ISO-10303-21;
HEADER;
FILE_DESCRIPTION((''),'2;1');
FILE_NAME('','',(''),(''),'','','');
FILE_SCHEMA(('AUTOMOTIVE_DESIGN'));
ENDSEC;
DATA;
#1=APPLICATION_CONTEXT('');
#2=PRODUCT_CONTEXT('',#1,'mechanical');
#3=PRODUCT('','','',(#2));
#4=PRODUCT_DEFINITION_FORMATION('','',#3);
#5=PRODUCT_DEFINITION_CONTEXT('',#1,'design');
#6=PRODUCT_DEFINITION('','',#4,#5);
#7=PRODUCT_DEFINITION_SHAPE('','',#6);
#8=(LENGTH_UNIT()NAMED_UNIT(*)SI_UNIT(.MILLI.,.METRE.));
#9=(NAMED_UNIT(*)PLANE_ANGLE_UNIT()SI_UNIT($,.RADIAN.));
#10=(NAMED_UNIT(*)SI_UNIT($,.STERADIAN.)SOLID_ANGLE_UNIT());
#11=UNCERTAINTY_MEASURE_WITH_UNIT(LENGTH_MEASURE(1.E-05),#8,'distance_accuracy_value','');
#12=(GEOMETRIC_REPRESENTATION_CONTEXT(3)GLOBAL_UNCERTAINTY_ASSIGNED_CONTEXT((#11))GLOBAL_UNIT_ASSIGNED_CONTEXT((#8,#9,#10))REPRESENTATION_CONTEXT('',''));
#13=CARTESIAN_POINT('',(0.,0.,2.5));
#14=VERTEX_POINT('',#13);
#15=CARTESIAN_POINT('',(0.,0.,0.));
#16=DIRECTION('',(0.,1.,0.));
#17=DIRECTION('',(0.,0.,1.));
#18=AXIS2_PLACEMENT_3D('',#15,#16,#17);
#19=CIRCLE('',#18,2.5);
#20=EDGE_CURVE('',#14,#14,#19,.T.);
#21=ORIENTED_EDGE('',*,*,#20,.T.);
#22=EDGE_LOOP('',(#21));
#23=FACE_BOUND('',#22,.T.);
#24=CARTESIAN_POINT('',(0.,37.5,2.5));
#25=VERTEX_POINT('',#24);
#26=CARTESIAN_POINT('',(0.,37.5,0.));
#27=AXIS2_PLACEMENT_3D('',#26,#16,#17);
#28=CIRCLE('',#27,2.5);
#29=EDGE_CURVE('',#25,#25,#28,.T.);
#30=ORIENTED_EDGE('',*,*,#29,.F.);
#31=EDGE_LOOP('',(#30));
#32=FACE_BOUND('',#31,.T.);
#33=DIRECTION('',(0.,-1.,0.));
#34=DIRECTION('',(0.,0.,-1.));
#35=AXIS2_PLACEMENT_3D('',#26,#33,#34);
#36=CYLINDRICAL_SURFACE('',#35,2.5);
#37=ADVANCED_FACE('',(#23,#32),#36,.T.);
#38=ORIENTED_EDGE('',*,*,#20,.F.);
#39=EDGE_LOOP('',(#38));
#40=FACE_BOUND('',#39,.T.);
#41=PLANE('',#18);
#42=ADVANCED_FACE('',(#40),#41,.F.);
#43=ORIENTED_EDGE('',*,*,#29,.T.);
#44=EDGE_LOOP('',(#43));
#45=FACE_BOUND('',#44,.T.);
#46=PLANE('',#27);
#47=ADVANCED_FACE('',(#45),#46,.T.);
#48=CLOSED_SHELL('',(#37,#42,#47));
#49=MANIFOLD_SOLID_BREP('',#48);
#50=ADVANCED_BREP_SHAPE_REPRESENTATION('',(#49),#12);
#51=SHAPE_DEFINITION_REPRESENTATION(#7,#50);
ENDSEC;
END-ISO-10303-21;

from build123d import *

# Parameters (mm, degrees)
SKETCH1_R           = 2.5
BOSS_EXTRUDE1_DEPTH = 37.5


with BuildPart() as part:
    # Sketch1 → Boss-Extrude1 (new body)
    with BuildSketch(Plane(origin=(0, 0, 0), x_dir=(1, 0, 0), z_dir=(0, 1, 0))):
        with Locations(Location((0, 0, 0), (0, 0, 270))):
            Circle(SKETCH1_R)
    extrude(amount=BOSS_EXTRUDE1_DEPTH)


solid = part.part
